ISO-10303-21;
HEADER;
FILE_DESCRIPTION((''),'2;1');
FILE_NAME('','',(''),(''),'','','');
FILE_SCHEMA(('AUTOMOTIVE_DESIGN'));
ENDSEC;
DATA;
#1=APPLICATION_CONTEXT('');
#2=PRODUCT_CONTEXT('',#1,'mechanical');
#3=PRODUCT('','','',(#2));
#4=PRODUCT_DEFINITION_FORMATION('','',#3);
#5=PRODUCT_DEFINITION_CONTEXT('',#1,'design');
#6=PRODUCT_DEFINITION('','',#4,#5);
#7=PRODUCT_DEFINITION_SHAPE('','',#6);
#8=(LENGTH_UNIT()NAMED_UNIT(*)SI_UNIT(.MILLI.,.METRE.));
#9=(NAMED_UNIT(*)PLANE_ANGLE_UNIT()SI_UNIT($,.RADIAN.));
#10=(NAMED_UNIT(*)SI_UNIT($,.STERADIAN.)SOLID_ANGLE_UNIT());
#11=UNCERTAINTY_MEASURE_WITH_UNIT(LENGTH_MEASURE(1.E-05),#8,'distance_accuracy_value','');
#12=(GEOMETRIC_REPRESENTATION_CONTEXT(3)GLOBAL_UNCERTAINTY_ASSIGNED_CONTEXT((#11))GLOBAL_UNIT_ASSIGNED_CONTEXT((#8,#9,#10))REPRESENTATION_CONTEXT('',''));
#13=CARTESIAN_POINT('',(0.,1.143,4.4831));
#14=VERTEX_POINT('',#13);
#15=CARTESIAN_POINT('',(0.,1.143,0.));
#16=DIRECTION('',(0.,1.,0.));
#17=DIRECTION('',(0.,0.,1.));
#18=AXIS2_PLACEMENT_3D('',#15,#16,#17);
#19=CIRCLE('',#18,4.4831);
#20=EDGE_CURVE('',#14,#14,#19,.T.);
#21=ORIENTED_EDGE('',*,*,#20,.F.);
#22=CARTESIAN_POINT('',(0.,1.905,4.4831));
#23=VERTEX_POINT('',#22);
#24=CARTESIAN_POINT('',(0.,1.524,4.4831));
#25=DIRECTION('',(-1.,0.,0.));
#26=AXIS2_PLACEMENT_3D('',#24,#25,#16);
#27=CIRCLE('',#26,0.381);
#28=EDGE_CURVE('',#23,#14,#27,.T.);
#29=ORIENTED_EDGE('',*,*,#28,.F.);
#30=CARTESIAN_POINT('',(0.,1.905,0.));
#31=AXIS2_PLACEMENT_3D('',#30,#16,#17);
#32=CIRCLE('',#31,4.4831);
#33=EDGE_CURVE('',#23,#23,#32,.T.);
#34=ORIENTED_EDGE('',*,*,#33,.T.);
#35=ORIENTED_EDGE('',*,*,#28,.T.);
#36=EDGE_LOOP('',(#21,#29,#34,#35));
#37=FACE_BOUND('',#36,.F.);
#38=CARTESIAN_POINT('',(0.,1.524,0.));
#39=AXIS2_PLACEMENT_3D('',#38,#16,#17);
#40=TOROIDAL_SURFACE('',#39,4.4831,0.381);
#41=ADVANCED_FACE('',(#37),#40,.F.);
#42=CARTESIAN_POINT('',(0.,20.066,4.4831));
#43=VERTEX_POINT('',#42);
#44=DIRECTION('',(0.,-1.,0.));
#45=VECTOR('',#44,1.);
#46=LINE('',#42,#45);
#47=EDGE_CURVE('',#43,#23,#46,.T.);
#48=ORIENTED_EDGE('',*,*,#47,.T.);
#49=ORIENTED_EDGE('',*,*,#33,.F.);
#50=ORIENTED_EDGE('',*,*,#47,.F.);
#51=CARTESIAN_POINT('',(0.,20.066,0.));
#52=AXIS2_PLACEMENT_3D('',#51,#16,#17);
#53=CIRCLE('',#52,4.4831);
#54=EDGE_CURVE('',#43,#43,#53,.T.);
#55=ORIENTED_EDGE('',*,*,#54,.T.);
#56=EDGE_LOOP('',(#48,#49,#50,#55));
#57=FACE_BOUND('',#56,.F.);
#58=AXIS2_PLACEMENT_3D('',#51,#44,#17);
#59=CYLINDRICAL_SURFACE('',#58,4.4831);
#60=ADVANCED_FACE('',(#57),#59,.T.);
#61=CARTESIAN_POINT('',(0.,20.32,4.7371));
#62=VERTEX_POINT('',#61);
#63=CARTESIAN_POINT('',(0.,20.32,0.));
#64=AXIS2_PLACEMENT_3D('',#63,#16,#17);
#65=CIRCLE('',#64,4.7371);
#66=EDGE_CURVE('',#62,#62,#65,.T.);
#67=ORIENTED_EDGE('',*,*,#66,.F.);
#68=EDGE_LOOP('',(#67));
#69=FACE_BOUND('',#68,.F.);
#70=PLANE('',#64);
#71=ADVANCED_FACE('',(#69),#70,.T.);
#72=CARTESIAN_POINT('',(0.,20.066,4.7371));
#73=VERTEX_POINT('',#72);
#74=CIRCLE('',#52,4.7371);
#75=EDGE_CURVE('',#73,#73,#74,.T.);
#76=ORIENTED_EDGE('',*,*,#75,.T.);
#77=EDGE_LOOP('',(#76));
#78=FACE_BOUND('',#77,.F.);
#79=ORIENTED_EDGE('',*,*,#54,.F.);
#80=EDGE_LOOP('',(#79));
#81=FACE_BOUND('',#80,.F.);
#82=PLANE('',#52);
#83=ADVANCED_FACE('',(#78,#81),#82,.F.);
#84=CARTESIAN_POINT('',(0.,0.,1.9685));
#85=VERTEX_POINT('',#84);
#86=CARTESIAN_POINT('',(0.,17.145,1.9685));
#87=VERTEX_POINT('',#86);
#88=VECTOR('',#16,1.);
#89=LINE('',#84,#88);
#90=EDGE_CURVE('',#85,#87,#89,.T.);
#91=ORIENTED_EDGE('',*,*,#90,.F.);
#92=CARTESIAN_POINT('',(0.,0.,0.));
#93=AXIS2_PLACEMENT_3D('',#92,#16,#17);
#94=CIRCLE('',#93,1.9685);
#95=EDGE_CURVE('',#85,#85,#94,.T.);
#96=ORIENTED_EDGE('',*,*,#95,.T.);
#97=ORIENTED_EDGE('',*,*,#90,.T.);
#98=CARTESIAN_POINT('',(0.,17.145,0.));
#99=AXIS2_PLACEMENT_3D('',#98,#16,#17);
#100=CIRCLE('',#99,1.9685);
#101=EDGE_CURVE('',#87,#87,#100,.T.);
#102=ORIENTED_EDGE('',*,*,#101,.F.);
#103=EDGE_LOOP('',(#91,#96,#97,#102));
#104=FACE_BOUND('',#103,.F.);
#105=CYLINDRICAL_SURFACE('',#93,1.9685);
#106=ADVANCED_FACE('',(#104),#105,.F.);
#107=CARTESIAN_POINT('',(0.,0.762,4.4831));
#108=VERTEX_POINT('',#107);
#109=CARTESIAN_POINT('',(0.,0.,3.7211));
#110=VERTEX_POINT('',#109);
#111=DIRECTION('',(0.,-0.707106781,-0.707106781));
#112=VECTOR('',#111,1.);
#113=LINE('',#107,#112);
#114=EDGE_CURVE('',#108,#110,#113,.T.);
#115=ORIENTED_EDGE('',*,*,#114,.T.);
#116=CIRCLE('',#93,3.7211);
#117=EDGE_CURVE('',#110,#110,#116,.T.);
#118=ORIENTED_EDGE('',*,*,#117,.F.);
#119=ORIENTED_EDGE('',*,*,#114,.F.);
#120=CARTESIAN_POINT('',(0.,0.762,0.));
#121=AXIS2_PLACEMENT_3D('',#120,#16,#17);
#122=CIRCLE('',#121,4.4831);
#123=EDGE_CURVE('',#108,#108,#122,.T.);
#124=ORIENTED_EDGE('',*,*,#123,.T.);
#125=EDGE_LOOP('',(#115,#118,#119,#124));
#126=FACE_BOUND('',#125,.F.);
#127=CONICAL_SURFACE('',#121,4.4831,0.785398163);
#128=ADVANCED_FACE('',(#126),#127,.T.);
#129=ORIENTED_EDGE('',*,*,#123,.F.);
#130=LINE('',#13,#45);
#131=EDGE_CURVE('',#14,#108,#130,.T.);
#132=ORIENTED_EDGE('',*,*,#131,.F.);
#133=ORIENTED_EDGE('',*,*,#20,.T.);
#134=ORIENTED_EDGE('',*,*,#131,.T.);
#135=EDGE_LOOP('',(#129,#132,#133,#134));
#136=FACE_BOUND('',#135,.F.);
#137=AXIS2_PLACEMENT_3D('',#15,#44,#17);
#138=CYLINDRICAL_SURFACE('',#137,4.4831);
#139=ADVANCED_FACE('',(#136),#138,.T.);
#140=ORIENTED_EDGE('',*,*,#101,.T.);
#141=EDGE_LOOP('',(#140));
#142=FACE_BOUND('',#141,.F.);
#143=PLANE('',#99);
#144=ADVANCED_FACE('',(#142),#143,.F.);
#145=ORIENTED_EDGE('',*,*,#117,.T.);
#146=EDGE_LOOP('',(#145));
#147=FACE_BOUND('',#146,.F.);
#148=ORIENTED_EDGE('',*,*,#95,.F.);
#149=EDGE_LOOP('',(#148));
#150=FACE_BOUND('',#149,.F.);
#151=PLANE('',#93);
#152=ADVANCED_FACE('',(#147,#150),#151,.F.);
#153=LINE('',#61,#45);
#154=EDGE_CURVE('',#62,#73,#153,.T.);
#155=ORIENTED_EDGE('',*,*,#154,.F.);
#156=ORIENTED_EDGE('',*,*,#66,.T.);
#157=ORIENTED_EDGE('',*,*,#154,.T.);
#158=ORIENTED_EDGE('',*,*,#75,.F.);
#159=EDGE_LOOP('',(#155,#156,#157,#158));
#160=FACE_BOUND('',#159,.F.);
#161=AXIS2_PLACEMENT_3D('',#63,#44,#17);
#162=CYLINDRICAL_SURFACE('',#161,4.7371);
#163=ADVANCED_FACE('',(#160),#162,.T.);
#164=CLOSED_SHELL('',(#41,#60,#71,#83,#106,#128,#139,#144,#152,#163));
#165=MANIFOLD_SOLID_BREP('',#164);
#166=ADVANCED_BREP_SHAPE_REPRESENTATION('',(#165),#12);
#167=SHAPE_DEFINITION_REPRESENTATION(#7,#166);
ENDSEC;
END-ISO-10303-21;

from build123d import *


with BuildPart() as f2:
    # F0 (on Right) → F2 (revolve)
    with BuildSketch(Plane.YZ):
        with BuildLine():
            Line((1.143, 4.4831), (0.762, 4.4831))
            Line((0.762, 4.4831), (0, 3.7211))
            Line((0, 3.7211), (0, 1.9685))
            Line((0, 1.9685), (17.145, 1.9685))
            Line((17.145, 1.9685), (17.145, 0))
            Line((17.145, 0), (20.32, 0))
            Line((20.32, 0), (20.32, 4.4831))
            Line((20.32, 4.4831), (20.32, 4.7371))
            Line((20.32, 4.7371), (20.066, 4.7371))
            Line((20.066, 4.7371), (20.066, 4.4831))
            Line((20.066, 4.4831), (1.905, 4.4831))
            ThreePointArc((1.905, 4.4831), (1.524, 4.1021), (1.143, 4.4831))
        make_face()
    revolve(axis=Axis((0, 4.189039, 0), (0, 1, 0)))


solid = f2.part
